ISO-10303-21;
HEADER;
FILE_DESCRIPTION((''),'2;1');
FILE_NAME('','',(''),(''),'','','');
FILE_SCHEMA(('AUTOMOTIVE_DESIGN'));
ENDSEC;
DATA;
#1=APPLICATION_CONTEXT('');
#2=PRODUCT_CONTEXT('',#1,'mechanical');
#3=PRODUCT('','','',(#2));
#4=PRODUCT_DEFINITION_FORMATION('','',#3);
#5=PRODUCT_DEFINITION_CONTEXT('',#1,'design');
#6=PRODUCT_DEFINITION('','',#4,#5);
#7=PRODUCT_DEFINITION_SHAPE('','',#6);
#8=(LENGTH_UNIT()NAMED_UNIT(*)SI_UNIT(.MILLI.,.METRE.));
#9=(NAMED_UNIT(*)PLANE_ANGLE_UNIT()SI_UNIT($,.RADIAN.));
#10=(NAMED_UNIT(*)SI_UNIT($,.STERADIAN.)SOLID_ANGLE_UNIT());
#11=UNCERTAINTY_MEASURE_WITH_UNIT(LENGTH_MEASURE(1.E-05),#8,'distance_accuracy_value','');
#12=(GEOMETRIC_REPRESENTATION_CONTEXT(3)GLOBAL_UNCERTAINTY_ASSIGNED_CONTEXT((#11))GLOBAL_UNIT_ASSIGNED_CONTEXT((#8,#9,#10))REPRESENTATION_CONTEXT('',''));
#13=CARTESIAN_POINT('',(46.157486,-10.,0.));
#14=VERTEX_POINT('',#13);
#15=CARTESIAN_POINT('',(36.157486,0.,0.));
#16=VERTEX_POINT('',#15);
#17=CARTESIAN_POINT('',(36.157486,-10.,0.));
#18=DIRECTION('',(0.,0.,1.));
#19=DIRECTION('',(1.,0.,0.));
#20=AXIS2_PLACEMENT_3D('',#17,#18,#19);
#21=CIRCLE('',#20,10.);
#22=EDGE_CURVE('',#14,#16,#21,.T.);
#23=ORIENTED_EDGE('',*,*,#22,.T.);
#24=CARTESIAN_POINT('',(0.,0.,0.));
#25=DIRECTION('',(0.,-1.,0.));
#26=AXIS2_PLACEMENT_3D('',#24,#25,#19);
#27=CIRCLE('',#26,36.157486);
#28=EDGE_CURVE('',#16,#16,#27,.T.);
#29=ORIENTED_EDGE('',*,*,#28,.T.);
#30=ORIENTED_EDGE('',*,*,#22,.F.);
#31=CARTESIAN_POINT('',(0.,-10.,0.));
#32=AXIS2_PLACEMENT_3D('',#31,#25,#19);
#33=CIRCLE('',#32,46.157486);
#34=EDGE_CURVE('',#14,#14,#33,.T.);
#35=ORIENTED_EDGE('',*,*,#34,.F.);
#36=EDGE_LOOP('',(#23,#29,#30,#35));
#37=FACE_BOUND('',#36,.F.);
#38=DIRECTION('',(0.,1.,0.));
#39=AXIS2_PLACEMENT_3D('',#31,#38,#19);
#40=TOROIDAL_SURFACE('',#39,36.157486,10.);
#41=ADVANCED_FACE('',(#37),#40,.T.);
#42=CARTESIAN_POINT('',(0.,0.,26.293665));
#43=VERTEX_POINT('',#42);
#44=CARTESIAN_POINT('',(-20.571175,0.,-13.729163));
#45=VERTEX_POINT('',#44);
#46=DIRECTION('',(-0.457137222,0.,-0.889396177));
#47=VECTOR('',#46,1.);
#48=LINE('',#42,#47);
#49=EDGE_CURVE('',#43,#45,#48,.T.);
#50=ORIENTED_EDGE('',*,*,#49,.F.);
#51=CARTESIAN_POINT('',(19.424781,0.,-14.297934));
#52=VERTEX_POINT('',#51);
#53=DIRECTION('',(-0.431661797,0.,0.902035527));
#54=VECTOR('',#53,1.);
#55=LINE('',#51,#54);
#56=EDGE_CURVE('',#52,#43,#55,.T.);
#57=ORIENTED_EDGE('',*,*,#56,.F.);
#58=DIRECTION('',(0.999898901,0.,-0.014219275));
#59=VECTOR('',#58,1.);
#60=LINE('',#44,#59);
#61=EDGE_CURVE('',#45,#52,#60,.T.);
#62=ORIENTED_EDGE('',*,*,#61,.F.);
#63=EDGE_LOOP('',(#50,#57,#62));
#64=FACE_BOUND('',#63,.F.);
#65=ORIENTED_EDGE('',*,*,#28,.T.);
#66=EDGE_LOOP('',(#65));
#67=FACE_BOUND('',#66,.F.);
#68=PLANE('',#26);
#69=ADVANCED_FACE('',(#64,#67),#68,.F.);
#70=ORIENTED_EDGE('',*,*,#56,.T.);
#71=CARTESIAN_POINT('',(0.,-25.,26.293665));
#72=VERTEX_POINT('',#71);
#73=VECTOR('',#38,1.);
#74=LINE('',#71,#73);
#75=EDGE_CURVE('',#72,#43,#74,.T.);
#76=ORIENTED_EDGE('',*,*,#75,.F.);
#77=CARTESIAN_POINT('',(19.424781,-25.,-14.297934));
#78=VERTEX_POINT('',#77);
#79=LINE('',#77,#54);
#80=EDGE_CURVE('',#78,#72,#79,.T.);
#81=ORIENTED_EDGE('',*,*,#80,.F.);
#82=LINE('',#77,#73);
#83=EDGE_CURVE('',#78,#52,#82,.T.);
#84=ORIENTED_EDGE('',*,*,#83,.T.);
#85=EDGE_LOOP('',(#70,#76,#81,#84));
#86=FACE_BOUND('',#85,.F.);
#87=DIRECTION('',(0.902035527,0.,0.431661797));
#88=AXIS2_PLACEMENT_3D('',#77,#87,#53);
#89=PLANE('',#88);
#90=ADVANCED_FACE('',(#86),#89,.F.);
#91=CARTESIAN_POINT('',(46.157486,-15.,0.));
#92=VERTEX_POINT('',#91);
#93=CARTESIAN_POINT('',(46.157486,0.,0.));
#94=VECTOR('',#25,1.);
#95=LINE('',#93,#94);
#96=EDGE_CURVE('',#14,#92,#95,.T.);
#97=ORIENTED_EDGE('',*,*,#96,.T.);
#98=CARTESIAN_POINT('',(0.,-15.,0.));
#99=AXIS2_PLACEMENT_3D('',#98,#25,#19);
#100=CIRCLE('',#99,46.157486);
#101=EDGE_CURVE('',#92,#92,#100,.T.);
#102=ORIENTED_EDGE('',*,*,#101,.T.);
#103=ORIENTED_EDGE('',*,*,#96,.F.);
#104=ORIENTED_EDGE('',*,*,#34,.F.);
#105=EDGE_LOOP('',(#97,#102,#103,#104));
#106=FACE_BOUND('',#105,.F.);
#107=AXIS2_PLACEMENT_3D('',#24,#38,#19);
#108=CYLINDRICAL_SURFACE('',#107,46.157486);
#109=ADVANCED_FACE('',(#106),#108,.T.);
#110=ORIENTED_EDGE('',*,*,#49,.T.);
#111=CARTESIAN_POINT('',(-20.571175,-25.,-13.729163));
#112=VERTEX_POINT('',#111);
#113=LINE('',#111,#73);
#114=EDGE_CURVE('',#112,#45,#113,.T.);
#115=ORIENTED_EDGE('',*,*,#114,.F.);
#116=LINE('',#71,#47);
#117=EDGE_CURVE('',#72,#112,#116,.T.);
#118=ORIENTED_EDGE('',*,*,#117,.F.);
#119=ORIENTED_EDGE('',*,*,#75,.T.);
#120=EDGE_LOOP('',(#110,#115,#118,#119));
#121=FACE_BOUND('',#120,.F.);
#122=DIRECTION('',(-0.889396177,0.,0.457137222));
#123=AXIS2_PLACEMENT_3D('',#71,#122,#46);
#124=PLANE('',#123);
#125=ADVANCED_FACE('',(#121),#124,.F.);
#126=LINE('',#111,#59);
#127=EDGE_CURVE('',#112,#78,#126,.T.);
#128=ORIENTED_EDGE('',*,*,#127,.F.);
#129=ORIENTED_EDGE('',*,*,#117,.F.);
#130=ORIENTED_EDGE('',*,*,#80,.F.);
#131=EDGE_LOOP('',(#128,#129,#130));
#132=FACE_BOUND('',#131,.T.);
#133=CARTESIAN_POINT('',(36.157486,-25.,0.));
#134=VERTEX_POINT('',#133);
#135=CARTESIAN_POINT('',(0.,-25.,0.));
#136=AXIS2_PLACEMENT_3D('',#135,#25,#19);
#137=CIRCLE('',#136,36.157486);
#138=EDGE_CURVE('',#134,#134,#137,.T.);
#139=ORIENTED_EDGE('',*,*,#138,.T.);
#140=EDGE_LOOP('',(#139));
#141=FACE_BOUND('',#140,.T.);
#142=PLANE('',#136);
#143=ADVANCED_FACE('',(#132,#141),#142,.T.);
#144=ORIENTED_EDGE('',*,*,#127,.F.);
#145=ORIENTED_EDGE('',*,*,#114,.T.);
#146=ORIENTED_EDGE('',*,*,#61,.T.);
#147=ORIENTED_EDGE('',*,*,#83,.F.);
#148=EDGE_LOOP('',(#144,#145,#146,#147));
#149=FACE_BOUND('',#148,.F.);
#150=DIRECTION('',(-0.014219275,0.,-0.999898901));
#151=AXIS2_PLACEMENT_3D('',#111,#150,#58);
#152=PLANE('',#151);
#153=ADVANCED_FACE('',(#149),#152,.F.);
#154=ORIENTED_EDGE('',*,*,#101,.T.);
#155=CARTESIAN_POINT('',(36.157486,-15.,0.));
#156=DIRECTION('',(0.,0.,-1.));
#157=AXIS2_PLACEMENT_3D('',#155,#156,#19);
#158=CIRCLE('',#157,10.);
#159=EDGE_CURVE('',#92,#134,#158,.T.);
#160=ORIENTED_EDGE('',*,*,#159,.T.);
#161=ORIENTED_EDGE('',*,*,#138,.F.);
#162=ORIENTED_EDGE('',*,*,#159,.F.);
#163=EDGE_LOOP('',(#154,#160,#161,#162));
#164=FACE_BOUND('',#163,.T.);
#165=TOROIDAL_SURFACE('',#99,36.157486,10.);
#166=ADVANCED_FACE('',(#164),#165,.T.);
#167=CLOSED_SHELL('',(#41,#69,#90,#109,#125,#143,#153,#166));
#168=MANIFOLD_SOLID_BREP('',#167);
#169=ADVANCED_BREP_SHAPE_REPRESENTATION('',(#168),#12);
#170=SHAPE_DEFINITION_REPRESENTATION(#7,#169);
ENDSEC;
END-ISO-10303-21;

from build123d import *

# Parameters (mm, degrees)
F0_R     = 46.157486
F1_DEPTH = 25
F3_DEPTH = 25
F4_R     = 10


with BuildPart() as f1:
    # F0 (on Front) → F1 (new body)
    with BuildSketch(Plane.XZ):
        Circle(F0_R)
    extrude(amount=F1_DEPTH)

    # F2 (on face) → F3 (cut)
    with BuildSketch(Plane.XZ.offset(25)):
        Polygon((0, 26.293665), (-20.571175, -13.729163), (19.424781, -14.297934), align=None)
    extrude(amount=-F3_DEPTH, mode=Mode.SUBTRACT)

    # F4
    f4_edges = [f1.edges().sort_by_distance(p)[0] for p in [
        (-46.157486, -25, 0),
        (-46.157486, 0, 0),
    ]]
    fillet(f4_edges, radius=F4_R)


solid = f1.part
